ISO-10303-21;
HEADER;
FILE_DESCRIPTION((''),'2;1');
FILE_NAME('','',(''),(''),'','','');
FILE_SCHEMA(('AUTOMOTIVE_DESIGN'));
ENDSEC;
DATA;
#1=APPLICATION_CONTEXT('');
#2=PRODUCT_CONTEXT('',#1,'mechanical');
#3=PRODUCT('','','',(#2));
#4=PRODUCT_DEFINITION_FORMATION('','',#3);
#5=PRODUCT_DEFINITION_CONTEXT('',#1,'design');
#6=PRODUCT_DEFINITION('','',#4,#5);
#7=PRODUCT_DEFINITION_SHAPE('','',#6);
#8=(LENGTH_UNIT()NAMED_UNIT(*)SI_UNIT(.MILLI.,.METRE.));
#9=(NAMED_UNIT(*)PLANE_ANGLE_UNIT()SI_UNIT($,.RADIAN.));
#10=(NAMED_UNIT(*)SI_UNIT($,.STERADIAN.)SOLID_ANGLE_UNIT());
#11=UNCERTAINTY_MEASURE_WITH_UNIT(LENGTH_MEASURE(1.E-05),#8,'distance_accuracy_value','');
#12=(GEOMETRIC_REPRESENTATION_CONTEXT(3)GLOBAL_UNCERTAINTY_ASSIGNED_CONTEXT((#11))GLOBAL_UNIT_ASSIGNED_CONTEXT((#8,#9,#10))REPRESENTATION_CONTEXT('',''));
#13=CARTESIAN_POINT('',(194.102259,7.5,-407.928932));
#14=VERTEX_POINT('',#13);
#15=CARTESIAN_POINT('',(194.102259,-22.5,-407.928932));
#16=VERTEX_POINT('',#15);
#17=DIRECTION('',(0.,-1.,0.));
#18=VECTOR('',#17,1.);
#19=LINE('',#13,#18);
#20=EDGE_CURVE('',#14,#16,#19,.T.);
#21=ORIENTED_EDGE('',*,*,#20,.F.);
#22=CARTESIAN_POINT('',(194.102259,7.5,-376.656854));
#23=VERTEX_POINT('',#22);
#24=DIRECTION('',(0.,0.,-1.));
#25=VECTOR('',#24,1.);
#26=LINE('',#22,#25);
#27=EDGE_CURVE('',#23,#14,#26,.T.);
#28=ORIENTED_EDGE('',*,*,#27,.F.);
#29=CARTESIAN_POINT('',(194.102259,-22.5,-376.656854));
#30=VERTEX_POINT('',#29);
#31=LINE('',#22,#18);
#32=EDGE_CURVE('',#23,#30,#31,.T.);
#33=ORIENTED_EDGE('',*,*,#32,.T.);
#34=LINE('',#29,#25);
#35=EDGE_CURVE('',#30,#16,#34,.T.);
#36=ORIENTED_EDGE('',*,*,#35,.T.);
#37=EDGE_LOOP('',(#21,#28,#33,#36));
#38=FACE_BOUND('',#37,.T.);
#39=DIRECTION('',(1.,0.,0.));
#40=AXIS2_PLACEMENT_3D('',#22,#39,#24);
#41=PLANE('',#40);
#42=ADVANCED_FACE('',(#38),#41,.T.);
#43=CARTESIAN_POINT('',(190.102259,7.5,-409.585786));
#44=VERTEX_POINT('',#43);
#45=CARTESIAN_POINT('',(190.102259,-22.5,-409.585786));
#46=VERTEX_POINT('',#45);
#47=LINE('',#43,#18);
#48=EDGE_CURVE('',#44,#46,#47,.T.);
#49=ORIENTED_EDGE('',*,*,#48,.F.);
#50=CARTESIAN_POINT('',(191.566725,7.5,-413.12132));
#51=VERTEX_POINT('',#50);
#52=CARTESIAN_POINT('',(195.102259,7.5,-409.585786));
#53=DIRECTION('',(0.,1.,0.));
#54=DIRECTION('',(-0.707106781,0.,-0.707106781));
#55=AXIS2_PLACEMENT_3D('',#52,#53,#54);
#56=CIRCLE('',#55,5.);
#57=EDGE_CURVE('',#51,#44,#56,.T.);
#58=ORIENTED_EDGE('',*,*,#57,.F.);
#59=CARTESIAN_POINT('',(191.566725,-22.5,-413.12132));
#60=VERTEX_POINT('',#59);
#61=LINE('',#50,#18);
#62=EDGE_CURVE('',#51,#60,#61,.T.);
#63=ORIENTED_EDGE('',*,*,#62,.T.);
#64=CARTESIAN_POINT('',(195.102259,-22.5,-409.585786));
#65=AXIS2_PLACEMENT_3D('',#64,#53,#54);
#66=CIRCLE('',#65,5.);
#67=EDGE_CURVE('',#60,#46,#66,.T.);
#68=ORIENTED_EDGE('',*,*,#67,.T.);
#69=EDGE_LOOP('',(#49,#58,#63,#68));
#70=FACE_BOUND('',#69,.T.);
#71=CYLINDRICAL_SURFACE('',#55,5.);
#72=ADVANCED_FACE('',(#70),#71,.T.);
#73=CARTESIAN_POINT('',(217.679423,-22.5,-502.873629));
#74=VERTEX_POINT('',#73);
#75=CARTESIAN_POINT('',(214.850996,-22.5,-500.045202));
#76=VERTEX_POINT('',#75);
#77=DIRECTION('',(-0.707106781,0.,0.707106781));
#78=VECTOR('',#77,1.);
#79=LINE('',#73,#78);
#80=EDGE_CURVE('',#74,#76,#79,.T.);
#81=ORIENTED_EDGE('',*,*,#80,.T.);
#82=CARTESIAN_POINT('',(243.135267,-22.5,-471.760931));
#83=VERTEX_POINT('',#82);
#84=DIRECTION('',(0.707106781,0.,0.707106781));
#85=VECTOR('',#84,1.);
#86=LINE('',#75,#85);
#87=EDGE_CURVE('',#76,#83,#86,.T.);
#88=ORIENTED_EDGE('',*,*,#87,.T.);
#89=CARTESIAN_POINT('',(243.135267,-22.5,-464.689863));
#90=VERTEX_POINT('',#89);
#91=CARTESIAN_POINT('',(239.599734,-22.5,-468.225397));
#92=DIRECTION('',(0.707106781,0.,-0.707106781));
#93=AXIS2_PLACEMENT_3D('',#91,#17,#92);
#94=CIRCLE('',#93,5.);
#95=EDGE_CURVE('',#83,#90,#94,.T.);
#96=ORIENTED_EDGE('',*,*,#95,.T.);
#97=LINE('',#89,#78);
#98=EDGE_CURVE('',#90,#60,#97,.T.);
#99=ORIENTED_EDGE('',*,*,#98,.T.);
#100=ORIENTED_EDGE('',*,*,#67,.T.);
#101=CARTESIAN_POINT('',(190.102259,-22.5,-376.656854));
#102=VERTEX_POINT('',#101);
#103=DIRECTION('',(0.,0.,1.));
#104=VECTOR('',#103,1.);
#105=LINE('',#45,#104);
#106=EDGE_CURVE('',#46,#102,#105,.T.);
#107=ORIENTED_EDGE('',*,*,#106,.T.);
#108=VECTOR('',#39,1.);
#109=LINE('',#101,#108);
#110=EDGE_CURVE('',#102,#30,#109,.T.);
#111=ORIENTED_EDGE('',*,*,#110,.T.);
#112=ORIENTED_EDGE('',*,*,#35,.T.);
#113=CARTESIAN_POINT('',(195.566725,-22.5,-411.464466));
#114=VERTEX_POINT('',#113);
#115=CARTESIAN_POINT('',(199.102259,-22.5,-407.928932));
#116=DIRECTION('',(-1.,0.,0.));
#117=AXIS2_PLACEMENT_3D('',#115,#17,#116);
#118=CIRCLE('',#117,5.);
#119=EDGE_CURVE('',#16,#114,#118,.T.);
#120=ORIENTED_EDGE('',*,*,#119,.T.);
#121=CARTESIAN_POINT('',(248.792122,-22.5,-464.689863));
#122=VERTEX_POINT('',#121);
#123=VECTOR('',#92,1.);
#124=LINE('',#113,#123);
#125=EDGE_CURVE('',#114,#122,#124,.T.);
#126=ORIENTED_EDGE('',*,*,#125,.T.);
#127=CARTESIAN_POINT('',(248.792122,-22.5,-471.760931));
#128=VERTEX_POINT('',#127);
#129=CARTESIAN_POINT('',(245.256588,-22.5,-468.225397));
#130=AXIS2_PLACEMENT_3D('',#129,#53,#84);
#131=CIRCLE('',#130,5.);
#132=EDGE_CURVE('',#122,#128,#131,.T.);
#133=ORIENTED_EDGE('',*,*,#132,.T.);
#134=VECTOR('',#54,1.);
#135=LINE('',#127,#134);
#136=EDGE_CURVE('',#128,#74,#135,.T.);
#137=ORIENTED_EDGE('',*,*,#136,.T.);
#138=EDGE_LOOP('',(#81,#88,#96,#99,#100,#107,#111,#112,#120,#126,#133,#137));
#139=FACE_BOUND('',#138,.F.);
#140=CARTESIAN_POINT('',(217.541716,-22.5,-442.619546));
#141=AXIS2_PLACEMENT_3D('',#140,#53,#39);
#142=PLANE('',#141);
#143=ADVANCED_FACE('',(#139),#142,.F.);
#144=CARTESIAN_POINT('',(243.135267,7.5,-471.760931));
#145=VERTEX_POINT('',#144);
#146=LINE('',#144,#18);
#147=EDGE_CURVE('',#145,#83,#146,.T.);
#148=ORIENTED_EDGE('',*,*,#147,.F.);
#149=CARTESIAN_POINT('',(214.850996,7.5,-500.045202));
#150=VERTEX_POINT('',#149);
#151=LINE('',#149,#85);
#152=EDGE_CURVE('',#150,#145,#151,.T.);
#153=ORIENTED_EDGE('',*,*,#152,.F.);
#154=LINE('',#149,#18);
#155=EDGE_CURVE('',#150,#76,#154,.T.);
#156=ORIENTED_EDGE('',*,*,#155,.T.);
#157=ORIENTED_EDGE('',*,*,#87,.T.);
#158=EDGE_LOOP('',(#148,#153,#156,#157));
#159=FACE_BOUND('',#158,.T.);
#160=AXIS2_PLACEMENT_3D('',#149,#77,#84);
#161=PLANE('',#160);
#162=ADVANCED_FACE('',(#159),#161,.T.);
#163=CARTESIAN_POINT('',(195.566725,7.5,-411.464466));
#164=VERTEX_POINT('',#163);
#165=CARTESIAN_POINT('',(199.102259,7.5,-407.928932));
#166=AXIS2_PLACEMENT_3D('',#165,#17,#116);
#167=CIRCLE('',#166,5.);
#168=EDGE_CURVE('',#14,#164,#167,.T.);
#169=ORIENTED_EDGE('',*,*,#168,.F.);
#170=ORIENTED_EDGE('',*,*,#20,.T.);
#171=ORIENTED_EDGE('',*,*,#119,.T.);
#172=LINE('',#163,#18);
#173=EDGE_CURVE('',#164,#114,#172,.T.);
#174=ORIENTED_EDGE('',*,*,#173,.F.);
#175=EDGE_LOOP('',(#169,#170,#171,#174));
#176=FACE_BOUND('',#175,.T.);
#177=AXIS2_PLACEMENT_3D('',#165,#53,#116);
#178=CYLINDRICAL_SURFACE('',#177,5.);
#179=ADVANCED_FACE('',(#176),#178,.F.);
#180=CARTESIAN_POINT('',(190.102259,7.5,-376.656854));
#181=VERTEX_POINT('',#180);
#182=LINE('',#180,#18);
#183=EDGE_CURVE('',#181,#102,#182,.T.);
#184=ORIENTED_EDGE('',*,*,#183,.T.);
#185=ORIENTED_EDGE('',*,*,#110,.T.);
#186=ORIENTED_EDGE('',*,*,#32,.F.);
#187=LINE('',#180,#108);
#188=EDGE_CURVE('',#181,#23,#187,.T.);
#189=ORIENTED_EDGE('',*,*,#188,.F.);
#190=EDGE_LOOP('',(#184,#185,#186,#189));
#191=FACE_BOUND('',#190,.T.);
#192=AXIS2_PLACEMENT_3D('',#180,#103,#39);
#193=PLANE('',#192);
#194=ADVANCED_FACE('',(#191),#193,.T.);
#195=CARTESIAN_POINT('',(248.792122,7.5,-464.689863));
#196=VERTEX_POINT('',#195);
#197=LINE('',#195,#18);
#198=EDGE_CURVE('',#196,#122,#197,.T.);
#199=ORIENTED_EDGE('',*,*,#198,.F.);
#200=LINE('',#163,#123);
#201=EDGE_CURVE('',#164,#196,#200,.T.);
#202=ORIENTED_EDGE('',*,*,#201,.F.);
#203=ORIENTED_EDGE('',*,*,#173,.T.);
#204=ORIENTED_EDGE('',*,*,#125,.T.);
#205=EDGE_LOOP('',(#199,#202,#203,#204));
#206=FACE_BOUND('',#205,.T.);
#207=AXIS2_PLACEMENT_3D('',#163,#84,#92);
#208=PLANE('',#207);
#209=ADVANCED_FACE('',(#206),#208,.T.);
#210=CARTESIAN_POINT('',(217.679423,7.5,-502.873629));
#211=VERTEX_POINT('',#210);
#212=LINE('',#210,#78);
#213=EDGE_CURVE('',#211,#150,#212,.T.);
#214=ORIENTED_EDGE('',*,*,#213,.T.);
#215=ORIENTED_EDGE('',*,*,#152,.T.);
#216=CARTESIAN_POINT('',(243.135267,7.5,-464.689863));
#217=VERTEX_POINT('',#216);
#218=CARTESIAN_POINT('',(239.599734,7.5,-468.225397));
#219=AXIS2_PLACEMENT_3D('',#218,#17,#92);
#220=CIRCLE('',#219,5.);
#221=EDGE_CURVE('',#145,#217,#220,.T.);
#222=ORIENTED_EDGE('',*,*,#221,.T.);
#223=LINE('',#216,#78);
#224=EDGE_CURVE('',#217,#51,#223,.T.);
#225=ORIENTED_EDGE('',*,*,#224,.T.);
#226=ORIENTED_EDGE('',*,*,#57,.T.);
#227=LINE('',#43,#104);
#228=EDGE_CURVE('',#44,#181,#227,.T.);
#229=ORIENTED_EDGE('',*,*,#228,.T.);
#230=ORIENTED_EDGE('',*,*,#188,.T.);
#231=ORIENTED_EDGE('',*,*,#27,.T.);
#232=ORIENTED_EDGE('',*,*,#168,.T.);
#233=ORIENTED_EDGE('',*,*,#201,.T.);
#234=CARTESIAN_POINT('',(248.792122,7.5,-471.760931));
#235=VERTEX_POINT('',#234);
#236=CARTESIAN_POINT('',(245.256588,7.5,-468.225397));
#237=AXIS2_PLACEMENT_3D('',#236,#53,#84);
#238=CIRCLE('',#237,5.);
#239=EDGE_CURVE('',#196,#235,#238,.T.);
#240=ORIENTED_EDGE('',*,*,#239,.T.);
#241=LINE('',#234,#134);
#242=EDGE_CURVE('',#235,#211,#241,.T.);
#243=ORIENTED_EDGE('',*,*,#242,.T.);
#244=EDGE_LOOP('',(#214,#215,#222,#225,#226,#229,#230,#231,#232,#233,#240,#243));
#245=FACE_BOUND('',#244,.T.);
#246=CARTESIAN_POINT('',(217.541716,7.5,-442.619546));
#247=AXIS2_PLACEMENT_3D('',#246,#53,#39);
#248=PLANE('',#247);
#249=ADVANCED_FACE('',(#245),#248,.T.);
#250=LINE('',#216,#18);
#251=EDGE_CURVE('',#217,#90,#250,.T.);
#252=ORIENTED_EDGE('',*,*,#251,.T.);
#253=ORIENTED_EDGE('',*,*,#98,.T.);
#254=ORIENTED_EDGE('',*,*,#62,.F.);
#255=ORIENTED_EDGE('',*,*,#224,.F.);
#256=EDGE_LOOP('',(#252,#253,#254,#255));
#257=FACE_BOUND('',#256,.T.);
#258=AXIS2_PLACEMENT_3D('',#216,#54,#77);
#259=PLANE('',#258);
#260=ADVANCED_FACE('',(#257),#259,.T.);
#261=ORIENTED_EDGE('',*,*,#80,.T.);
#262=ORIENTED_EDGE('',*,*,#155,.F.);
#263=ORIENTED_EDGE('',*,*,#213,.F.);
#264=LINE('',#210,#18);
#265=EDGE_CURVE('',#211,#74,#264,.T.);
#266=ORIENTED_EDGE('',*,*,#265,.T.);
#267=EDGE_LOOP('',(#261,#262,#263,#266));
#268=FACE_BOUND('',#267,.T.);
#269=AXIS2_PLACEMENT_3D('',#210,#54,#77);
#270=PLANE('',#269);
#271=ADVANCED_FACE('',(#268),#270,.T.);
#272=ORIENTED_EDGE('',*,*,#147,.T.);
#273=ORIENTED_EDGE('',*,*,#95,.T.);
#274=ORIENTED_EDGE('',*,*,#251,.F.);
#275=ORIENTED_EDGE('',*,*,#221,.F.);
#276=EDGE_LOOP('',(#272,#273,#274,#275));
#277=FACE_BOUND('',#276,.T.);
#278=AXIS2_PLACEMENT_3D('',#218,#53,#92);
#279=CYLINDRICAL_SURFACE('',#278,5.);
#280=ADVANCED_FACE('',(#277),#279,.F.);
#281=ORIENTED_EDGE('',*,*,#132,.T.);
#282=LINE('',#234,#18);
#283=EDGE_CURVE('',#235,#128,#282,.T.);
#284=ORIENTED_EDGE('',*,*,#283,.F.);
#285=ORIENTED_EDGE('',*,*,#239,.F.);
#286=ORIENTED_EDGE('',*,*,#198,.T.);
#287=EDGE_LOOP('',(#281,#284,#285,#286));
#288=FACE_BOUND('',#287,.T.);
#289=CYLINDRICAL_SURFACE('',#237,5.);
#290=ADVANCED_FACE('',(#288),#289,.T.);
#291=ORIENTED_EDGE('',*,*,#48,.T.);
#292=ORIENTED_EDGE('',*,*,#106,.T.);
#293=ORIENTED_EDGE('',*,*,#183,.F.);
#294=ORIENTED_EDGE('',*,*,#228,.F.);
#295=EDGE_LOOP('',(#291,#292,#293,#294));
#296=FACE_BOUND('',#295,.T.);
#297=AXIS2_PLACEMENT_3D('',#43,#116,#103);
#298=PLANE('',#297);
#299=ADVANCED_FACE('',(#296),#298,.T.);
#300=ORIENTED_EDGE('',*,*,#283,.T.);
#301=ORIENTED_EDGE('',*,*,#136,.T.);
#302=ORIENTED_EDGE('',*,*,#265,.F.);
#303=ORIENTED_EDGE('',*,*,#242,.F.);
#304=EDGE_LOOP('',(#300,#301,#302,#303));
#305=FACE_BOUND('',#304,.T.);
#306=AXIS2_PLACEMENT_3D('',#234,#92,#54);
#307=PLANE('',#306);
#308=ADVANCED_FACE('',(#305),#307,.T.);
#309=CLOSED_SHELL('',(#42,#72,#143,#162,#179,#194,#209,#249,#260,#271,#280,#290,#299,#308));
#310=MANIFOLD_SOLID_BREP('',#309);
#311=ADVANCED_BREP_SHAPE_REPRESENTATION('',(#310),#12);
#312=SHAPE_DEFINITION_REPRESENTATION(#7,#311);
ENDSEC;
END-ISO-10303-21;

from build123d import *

# Parameters (mm, degrees)
BOSS_EXTRUDE1_DEPTH = 30


with BuildPart() as part:
    # Sketch1 → Boss-Extrude1 (new body)
    with BuildSketch(Plane(origin=(0, 7.5, 0), x_dir=(1, 0, 0), z_dir=(0, 1, 0))):
        with BuildLine():
            Line((248.792121733, 471.76093065), (217.679423361, 502.873629023))
            Line((217.679423361, 502.873629023), (214.850996236, 500.045201898))
            Line((214.850996236, 500.045201898), (243.135267484, 471.76093065))
            ThreePointArc((243.135267484, 471.76093065), (244.599733578, 468.225396744), (243.135267484, 464.689862838))
            Line((243.135267484, 464.689862838), (191.566724989, 413.121320344))
            ThreePointArc((191.566724989, 413.121320344), (190.482861232, 411.499203599), (190.102258895, 409.585786438))
            Line((190.102258895, 409.585786438), (190.102258895, 376.656854249))
            Line((190.102258895, 376.656854249), (194.102258895, 376.656854249))
            Line((194.102258895, 376.656854249), (194.102258895, 407.928932188))
            ThreePointArc((194.102258895, 407.928932188), (194.482861232, 409.84234935), (195.566724989, 411.464466094))
            Line((195.566724989, 411.464466094), (248.792121733, 464.689862838))
            ThreePointArc((248.792121733, 464.689862838), (250.256587827, 468.225396744), (248.792121733, 471.76093065))
        make_face()
    extrude(amount=-BOSS_EXTRUDE1_DEPTH)


solid = part.part
